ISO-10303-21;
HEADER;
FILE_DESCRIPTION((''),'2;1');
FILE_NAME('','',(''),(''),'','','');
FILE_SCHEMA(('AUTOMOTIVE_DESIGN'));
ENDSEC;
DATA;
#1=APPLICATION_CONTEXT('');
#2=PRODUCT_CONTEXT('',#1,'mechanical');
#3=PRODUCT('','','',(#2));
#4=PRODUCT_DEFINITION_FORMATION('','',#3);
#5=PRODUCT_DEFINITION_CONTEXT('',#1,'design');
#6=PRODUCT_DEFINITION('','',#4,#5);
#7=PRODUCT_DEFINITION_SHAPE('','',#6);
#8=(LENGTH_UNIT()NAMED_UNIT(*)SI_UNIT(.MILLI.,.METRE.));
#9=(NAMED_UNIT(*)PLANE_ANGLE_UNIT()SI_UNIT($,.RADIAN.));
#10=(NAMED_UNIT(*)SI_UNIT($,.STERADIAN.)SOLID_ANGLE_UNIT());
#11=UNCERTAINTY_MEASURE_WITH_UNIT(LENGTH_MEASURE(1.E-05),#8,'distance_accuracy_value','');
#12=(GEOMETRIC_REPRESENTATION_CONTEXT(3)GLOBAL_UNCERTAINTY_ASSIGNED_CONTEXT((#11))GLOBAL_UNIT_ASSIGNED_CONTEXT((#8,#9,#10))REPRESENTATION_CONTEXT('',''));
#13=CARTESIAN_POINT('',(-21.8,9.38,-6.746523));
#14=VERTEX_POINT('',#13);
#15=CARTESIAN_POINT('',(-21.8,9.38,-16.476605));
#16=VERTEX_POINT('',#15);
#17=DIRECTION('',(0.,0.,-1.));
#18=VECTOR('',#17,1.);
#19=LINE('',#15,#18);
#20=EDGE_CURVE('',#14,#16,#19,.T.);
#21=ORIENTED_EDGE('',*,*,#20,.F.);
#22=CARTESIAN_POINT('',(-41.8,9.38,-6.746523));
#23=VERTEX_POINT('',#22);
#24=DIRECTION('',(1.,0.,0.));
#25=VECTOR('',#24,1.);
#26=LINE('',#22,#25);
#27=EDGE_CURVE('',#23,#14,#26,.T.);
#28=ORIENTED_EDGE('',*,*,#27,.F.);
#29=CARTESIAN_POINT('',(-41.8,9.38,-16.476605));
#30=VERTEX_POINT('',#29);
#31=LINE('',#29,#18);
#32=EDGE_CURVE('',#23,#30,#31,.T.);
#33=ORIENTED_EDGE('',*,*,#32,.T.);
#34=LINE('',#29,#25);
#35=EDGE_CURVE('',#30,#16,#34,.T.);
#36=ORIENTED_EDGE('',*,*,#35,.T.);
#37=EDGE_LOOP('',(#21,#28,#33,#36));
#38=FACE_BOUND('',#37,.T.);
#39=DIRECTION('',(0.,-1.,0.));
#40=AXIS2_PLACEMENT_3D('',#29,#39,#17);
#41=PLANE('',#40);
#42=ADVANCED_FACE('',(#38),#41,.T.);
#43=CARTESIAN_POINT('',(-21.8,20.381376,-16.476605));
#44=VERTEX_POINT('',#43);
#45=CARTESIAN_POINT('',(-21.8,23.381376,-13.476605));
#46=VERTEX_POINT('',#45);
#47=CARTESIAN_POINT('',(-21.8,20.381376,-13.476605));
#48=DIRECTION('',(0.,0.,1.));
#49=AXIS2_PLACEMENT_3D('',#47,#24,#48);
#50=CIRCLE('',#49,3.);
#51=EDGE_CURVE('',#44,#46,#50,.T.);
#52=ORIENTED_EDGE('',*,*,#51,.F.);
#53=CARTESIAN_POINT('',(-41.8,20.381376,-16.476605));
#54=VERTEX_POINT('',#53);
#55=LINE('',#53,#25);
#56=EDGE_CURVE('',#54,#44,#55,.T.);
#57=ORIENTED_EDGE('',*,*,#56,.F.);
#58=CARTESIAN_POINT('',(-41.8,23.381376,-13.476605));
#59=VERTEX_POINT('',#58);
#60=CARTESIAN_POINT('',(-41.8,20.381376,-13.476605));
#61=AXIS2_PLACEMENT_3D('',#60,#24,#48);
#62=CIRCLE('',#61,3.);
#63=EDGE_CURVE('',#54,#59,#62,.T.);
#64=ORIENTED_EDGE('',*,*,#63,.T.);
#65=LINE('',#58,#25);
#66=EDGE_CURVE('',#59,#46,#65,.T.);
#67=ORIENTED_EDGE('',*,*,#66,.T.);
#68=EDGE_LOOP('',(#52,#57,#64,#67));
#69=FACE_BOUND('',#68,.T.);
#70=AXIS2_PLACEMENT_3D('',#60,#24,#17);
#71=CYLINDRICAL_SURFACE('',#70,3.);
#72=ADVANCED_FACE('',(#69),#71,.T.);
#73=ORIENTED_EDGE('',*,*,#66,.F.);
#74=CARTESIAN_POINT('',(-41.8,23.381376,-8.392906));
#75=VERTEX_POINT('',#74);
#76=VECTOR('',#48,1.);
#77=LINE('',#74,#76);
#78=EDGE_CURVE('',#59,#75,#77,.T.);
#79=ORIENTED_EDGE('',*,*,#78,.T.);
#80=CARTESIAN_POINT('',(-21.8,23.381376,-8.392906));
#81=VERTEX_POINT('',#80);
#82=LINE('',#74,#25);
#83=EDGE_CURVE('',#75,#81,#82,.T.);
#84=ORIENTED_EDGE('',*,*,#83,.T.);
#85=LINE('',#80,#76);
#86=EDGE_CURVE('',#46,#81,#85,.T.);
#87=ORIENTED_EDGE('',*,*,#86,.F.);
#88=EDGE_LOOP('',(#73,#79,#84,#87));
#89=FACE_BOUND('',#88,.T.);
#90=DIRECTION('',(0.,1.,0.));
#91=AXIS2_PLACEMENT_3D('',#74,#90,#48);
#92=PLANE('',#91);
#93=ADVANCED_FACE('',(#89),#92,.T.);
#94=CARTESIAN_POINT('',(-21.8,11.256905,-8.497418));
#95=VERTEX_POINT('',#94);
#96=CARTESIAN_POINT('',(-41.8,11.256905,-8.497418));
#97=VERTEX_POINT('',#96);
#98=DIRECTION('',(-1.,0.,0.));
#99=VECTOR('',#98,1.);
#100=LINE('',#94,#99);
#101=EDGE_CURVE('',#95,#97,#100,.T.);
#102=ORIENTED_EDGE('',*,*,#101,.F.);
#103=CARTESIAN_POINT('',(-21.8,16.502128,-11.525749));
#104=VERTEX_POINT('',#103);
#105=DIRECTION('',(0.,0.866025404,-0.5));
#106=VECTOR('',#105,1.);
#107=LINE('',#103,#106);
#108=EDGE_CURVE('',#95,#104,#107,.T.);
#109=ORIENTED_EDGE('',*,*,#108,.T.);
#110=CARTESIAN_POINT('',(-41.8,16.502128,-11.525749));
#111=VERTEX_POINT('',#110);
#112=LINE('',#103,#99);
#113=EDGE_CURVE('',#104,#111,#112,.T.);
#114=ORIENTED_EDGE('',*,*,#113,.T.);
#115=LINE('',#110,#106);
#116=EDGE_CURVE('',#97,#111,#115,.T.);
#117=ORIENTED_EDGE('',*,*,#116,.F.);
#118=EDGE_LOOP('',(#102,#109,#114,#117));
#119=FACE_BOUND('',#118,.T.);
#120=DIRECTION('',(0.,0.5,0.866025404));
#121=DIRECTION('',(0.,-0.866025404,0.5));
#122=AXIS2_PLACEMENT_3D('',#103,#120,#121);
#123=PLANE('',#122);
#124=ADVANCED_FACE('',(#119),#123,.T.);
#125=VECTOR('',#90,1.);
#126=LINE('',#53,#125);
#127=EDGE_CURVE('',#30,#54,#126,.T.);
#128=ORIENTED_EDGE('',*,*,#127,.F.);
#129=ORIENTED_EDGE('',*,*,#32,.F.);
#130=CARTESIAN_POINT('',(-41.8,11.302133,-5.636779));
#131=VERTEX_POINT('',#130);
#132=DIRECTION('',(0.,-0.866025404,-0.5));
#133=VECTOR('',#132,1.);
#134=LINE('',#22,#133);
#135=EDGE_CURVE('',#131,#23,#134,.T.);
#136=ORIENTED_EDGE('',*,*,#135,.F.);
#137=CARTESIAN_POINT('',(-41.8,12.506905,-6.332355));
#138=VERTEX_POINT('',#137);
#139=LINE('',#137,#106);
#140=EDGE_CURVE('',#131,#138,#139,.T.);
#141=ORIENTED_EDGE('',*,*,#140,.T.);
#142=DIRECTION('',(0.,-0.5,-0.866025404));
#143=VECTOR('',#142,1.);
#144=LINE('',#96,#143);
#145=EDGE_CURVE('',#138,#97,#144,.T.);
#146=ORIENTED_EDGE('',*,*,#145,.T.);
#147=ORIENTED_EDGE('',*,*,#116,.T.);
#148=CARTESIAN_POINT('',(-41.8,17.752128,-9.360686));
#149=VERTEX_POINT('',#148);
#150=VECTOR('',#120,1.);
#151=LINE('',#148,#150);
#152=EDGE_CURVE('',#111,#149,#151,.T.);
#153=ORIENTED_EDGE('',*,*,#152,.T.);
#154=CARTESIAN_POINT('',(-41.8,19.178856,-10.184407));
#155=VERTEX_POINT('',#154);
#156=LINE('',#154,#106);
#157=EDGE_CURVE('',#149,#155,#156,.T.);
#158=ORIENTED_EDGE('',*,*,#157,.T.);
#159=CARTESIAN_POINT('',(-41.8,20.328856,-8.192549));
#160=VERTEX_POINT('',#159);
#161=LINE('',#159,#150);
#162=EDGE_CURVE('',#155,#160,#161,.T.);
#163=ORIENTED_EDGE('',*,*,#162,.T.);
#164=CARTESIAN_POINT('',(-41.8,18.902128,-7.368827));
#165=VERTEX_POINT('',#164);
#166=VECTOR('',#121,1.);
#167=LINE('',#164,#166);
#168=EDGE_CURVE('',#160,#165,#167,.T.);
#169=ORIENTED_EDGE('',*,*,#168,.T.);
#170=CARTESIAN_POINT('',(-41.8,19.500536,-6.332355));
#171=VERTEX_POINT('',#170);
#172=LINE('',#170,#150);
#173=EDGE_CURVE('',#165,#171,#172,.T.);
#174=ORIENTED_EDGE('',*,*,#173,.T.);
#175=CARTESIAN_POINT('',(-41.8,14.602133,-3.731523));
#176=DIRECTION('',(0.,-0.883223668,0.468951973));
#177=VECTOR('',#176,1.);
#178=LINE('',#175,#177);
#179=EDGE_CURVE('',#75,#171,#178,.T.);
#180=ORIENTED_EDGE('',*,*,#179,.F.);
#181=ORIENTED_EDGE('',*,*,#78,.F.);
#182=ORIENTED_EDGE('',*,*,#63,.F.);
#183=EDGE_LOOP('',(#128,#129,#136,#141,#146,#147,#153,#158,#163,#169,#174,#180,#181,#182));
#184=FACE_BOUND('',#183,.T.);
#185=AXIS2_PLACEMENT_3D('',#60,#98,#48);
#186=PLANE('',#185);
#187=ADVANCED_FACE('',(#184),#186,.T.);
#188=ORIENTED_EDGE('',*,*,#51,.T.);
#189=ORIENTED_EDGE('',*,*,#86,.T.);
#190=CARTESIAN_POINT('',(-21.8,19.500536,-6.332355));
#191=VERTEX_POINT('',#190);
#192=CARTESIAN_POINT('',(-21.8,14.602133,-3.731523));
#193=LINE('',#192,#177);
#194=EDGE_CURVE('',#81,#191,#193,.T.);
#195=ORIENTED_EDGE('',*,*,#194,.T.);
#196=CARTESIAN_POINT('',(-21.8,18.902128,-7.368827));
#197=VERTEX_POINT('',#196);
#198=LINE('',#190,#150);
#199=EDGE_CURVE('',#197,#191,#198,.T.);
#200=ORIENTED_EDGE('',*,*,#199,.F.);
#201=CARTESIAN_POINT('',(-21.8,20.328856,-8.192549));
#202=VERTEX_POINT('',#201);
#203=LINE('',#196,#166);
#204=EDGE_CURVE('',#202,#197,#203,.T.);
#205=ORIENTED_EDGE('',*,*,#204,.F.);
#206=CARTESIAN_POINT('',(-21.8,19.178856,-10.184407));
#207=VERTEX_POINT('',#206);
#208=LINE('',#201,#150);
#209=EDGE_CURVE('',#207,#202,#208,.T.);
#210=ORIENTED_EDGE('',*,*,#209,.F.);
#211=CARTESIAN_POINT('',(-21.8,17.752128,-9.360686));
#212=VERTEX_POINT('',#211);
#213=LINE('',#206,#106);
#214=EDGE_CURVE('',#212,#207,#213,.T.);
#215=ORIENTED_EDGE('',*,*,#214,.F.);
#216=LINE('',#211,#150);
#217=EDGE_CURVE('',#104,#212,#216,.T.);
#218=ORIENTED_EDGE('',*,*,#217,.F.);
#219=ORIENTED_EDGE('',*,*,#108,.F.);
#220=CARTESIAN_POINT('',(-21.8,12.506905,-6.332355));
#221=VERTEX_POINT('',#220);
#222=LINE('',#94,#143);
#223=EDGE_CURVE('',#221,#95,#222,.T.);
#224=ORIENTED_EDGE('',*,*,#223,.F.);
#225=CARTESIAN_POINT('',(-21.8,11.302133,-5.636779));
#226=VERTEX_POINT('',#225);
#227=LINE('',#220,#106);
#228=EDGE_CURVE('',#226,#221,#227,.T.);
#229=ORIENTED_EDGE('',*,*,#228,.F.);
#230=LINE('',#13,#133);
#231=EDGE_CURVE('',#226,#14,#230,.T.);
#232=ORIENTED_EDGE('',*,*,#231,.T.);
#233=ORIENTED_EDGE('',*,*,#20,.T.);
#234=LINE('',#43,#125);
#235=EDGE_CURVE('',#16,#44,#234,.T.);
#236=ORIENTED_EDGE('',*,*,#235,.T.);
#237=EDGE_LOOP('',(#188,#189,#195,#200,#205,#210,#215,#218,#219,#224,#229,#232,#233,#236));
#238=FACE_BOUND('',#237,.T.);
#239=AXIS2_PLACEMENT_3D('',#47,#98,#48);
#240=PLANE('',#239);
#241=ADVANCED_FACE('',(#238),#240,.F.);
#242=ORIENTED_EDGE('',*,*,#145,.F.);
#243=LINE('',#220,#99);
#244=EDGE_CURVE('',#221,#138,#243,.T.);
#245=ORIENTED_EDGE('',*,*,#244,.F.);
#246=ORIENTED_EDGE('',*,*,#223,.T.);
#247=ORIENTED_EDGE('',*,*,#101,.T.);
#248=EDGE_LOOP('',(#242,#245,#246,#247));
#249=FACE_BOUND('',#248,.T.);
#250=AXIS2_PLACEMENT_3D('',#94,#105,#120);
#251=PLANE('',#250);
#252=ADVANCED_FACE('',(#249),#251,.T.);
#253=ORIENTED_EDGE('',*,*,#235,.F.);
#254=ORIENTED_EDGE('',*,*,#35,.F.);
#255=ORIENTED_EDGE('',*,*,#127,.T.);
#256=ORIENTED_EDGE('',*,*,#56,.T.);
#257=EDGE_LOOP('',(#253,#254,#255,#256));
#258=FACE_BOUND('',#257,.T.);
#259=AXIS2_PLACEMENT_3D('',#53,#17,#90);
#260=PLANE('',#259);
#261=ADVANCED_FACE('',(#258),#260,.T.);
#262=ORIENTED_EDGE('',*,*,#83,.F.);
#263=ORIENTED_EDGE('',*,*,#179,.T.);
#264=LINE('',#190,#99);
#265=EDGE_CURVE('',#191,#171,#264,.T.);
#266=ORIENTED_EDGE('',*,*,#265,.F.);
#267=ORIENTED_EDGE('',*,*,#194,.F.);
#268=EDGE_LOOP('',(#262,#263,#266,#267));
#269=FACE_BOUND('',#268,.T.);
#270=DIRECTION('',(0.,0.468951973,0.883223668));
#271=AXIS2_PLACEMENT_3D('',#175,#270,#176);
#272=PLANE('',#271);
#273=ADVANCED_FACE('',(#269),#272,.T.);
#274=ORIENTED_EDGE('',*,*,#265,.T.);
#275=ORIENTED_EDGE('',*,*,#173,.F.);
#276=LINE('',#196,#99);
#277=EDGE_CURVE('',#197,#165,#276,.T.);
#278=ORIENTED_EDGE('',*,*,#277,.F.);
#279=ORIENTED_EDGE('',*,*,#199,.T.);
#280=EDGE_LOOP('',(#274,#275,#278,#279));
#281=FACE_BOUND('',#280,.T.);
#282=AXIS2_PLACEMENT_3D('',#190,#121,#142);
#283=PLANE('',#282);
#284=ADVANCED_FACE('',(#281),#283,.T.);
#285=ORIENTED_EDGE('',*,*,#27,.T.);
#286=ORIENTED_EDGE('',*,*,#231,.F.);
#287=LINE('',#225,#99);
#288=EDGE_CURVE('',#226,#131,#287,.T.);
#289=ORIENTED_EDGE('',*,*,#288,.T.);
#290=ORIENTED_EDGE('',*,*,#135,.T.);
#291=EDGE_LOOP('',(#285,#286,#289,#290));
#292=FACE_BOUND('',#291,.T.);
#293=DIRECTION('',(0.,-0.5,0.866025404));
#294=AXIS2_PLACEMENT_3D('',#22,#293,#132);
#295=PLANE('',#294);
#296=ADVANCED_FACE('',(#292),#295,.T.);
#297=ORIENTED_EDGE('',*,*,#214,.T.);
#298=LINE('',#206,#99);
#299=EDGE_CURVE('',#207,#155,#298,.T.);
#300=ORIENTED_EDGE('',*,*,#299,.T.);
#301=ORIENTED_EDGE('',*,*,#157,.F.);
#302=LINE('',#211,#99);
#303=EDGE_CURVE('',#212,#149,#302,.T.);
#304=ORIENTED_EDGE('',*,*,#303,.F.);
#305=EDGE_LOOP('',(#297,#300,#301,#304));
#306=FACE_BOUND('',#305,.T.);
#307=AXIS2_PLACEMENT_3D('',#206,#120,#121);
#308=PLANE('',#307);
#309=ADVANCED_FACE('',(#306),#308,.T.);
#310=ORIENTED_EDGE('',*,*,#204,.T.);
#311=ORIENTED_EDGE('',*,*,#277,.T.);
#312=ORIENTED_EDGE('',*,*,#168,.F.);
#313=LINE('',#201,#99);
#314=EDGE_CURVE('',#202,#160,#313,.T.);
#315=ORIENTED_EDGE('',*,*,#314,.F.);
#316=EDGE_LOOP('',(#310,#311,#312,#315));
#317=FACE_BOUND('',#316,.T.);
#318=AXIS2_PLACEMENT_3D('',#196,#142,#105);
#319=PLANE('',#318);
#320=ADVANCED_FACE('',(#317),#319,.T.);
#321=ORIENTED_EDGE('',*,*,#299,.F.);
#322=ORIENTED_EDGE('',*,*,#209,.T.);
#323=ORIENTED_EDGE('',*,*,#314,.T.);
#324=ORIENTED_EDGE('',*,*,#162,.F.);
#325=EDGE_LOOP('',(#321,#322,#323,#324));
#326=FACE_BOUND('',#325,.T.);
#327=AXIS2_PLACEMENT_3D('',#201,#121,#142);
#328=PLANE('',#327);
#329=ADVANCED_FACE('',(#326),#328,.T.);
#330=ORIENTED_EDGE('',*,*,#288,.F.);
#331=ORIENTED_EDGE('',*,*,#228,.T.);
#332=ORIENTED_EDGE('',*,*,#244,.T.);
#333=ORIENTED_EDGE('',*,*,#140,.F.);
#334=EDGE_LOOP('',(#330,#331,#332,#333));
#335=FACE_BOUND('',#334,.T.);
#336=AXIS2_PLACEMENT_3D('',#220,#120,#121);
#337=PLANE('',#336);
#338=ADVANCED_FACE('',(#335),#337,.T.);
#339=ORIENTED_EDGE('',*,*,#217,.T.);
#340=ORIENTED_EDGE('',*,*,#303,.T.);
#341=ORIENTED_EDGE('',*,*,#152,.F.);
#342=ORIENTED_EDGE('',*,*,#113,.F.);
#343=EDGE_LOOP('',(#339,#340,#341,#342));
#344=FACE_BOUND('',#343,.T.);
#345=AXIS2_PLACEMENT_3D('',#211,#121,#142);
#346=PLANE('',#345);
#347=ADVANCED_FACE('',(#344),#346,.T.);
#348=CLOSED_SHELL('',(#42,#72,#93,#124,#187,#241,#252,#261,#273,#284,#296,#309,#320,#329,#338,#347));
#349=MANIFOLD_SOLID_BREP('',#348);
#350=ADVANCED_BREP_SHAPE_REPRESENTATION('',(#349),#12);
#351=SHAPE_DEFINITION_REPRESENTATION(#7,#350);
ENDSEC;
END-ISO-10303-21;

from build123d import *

# Parameters (mm, degrees)
BOSS_EXTRUDE1_DEPTH      = 10
BOSS_EXTRUDE1_DEPTH_BACK = 10
CUT_EXTRUDE1_DEPTH       = 10
CUT_EXTRUDE1_DEPTH_BACK  = 10


with BuildPart() as part:
    # Sketch13 → Boss-Extrude1 (new, two sides: drawn at the far end of the back side and taken through both)
    with BuildSketch(Plane(origin=(-31.8, 0, 0), x_dir=(0, 0, -1), z_dir=(1, 0, 0)).offset(-BOSS_EXTRUDE1_DEPTH_BACK)):
        with BuildLine():
            Line((6.746523488, 9.38), (3.731523488, 14.602133185))
            Line((3.731523488, 14.602133185), (8.392906101, 23.38137644))
            Line((8.392906101, 23.38137644), (13.476604558, 23.38137644))
            ThreePointArc((13.476604558, 23.38137644), (15.597924901, 22.502696784), (16.476604558, 20.38137644))
            Line((16.476604558, 20.38137644), (16.476604558, 9.38))
            Line((16.476604558, 9.38), (6.746523488, 9.38))
        make_face()
    extrude(amount=BOSS_EXTRUDE1_DEPTH + BOSS_EXTRUDE1_DEPTH_BACK)

    # Sketch15 → Cut-Extrude1 (cut, two sides: drawn at the far end of the back side and taken through both)
    with BuildSketch(Plane(origin=(-31.8, 0, 0), x_dir=(0, 0, -1), z_dir=(1, 0, 0)).offset(-CUT_EXTRUDE1_DEPTH_BACK)):
        Polygon((10.184407321, 19.178855838), (9.360685737, 17.752128204), (11.525749246, 16.502128204), (8.497418172, 11.256904921), (6.332354663, 12.506904921), (5.636779377, 11.302133185), (3.617891994, 14.798948707), (6.332354663, 19.500535964), (7.368827308, 18.902128204), (8.192548892, 20.328855838), align=None)
    extrude(amount=CUT_EXTRUDE1_DEPTH + CUT_EXTRUDE1_DEPTH_BACK, mode=Mode.SUBTRACT)


solid = part.part
